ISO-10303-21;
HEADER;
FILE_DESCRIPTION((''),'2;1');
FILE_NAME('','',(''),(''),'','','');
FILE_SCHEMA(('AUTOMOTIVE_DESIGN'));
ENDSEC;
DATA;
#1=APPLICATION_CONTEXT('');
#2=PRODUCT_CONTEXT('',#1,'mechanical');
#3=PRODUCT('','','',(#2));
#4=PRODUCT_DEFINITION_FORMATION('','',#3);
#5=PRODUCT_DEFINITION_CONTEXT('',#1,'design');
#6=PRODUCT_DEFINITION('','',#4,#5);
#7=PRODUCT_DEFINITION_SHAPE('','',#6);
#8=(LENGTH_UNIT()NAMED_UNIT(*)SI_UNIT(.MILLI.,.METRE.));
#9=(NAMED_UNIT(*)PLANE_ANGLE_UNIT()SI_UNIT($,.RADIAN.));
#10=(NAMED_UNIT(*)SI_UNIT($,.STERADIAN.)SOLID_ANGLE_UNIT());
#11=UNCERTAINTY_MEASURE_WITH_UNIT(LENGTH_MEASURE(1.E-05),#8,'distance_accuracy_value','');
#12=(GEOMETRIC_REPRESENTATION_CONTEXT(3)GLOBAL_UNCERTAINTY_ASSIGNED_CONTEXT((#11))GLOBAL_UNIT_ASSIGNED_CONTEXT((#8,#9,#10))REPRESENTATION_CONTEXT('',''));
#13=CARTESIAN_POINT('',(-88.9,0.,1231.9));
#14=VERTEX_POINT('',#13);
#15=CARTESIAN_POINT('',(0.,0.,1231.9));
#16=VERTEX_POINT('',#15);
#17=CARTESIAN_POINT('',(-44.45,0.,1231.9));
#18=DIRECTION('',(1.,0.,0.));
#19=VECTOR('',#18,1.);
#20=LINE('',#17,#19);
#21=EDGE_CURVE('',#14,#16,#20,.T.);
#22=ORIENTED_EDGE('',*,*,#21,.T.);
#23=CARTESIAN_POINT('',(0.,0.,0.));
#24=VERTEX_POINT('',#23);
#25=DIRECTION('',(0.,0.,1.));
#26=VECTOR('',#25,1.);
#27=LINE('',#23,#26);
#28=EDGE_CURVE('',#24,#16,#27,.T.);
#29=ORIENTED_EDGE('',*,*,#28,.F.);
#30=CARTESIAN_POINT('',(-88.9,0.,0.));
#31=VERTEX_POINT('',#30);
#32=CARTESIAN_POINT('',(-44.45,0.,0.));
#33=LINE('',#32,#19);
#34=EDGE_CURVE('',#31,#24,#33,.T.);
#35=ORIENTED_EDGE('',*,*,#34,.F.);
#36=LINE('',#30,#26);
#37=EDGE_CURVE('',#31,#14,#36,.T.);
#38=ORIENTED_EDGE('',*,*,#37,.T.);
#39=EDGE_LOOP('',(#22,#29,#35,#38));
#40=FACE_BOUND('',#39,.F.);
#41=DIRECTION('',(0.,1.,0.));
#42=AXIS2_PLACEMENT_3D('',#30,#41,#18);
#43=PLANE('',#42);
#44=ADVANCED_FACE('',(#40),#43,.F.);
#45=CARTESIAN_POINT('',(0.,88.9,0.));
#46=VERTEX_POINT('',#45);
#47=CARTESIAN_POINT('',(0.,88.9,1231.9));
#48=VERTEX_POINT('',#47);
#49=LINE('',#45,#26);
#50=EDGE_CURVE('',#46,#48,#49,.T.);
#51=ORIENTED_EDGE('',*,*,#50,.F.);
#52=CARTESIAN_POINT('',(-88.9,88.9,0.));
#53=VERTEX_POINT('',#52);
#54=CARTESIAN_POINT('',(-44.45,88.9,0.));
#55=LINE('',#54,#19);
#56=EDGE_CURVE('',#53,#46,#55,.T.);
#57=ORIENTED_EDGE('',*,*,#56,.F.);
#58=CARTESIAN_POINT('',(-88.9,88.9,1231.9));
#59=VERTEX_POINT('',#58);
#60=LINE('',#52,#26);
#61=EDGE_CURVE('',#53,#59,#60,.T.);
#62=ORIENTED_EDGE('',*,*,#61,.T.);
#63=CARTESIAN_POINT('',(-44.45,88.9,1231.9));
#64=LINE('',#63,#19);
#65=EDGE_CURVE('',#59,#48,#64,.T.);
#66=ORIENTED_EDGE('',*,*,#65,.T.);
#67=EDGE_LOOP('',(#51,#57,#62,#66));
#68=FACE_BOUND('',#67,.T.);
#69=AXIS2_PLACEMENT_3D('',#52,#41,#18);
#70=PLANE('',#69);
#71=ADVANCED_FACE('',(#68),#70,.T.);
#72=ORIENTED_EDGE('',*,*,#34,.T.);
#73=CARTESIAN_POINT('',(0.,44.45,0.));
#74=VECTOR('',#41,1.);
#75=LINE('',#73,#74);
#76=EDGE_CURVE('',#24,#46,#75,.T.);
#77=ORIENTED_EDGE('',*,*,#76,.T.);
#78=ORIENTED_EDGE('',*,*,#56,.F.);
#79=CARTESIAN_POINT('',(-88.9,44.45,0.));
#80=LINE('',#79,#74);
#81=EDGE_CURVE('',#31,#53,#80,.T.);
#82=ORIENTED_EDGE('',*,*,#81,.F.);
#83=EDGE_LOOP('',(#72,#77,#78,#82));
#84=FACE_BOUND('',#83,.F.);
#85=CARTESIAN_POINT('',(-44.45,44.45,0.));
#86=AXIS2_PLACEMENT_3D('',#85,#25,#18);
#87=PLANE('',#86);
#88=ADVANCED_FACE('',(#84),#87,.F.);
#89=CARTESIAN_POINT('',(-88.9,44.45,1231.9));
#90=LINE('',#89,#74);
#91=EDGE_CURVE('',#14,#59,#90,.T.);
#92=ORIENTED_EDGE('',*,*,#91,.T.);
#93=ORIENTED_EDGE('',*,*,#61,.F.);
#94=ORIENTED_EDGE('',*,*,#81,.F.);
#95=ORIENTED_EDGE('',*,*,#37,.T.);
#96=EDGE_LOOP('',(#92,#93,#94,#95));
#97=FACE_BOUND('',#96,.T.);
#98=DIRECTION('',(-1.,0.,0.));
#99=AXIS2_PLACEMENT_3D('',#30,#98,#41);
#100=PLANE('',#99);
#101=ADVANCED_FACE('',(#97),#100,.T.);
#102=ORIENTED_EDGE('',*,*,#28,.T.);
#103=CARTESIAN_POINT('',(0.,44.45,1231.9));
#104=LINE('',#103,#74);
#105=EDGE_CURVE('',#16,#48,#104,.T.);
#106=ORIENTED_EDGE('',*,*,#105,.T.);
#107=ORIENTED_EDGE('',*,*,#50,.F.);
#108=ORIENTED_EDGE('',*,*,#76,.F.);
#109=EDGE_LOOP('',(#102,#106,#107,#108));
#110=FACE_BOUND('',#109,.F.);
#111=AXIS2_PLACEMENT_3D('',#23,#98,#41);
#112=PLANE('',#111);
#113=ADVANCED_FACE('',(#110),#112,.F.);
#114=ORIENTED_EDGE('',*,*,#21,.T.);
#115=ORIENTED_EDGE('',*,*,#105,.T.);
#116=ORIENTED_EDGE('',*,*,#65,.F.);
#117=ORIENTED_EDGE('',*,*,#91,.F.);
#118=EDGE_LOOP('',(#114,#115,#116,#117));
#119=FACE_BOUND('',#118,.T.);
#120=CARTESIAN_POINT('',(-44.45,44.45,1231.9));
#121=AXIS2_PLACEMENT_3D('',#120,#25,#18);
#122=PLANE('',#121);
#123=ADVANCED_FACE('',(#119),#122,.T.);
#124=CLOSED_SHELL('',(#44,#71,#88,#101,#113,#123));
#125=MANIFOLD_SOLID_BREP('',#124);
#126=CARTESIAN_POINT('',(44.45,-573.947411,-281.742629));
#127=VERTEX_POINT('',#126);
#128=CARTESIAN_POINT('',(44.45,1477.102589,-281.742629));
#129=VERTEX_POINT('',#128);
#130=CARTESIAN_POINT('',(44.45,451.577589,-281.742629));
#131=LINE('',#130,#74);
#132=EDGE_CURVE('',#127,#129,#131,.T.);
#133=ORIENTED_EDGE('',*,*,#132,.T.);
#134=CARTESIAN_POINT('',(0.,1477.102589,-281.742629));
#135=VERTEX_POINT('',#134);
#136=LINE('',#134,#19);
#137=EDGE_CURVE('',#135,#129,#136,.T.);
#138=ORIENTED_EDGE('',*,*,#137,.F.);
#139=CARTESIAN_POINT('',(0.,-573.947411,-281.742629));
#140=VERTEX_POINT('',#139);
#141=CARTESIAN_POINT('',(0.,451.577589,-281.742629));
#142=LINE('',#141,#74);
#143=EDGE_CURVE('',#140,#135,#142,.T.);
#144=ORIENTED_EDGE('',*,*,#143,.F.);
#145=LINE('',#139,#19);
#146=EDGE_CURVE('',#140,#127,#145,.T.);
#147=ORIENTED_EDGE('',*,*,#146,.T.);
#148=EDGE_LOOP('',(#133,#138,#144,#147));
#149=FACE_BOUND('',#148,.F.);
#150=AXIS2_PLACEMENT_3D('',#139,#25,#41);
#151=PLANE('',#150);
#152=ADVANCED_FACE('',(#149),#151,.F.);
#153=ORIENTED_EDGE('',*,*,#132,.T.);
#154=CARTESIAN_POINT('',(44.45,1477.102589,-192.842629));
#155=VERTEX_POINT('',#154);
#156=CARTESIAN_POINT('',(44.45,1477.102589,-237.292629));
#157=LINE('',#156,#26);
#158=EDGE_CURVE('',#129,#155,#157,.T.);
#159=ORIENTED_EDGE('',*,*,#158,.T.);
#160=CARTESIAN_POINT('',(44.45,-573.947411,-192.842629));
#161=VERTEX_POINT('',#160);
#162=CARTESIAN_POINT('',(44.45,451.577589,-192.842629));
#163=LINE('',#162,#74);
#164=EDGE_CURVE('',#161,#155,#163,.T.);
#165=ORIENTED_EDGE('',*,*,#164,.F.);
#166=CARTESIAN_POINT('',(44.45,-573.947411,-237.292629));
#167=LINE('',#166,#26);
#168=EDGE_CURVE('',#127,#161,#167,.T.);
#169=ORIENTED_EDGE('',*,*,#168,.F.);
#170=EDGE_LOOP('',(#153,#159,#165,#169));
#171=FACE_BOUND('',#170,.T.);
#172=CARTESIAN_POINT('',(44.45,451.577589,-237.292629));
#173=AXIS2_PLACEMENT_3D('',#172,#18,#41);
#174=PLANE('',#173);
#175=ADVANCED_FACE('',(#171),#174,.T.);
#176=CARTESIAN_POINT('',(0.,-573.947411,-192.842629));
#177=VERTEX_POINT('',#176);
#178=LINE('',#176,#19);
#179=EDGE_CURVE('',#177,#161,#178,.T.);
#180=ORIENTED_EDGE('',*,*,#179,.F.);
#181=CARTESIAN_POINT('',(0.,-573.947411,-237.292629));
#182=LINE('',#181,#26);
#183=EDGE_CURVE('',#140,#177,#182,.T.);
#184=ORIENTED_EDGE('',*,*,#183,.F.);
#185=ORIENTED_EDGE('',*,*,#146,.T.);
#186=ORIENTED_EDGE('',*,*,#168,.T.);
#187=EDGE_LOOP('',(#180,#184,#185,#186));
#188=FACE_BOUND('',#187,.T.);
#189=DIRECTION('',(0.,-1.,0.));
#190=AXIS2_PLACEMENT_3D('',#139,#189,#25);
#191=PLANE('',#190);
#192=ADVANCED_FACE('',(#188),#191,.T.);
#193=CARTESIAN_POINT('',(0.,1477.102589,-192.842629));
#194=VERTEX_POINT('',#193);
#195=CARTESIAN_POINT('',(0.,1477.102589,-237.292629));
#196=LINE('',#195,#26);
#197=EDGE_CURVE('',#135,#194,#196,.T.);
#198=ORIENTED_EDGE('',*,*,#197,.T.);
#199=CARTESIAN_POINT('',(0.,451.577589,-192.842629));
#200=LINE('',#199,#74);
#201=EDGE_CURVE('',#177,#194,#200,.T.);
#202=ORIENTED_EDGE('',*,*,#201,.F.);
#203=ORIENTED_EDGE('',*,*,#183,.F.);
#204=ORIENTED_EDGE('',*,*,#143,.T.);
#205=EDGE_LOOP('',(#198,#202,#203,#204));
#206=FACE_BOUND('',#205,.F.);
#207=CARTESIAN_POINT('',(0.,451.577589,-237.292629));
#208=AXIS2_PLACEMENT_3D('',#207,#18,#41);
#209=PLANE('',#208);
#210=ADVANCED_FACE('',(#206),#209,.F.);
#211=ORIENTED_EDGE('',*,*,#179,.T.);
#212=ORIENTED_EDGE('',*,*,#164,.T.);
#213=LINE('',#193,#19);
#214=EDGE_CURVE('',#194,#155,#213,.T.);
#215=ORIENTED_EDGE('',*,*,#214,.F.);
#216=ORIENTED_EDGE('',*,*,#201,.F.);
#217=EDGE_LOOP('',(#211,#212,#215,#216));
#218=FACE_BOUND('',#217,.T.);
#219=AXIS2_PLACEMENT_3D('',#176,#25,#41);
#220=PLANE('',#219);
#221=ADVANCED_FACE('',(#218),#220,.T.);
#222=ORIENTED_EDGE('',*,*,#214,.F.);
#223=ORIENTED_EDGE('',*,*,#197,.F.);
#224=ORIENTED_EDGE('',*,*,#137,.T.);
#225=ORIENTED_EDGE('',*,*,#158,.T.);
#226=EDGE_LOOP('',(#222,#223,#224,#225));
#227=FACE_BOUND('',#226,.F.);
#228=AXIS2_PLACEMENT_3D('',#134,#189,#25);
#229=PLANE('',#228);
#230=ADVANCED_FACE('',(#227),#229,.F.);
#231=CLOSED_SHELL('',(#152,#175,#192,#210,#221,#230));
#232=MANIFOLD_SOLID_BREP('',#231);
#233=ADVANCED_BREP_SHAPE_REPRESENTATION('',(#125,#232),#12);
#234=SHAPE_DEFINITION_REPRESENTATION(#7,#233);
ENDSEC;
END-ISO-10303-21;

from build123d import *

# Parameters (mm, degrees)
F0_W     = 88.9
F0_H     = 88.9
F1_DEPTH = 1231.9
F2_W     = 2051.05
F2_H     = 88.9
F3_DEPTH = 44.45


with BuildPart() as f1:
    # F0 (on Top) → F1 (new body)
    with BuildSketch(Plane.XY):
        with Locations((-44.45, 44.45)):
            Rectangle(F0_W, F0_H)
    extrude(amount=F1_DEPTH)


with BuildPart() as f3:
    # F2 (on Right) → F3 (new body)
    with BuildSketch(Plane.YZ):
        with Locations((451.577589, -237.292629)):
            Rectangle(F2_W, F2_H)
    extrude(amount=F3_DEPTH)


solid = Compound([f1.part, f3.part])
